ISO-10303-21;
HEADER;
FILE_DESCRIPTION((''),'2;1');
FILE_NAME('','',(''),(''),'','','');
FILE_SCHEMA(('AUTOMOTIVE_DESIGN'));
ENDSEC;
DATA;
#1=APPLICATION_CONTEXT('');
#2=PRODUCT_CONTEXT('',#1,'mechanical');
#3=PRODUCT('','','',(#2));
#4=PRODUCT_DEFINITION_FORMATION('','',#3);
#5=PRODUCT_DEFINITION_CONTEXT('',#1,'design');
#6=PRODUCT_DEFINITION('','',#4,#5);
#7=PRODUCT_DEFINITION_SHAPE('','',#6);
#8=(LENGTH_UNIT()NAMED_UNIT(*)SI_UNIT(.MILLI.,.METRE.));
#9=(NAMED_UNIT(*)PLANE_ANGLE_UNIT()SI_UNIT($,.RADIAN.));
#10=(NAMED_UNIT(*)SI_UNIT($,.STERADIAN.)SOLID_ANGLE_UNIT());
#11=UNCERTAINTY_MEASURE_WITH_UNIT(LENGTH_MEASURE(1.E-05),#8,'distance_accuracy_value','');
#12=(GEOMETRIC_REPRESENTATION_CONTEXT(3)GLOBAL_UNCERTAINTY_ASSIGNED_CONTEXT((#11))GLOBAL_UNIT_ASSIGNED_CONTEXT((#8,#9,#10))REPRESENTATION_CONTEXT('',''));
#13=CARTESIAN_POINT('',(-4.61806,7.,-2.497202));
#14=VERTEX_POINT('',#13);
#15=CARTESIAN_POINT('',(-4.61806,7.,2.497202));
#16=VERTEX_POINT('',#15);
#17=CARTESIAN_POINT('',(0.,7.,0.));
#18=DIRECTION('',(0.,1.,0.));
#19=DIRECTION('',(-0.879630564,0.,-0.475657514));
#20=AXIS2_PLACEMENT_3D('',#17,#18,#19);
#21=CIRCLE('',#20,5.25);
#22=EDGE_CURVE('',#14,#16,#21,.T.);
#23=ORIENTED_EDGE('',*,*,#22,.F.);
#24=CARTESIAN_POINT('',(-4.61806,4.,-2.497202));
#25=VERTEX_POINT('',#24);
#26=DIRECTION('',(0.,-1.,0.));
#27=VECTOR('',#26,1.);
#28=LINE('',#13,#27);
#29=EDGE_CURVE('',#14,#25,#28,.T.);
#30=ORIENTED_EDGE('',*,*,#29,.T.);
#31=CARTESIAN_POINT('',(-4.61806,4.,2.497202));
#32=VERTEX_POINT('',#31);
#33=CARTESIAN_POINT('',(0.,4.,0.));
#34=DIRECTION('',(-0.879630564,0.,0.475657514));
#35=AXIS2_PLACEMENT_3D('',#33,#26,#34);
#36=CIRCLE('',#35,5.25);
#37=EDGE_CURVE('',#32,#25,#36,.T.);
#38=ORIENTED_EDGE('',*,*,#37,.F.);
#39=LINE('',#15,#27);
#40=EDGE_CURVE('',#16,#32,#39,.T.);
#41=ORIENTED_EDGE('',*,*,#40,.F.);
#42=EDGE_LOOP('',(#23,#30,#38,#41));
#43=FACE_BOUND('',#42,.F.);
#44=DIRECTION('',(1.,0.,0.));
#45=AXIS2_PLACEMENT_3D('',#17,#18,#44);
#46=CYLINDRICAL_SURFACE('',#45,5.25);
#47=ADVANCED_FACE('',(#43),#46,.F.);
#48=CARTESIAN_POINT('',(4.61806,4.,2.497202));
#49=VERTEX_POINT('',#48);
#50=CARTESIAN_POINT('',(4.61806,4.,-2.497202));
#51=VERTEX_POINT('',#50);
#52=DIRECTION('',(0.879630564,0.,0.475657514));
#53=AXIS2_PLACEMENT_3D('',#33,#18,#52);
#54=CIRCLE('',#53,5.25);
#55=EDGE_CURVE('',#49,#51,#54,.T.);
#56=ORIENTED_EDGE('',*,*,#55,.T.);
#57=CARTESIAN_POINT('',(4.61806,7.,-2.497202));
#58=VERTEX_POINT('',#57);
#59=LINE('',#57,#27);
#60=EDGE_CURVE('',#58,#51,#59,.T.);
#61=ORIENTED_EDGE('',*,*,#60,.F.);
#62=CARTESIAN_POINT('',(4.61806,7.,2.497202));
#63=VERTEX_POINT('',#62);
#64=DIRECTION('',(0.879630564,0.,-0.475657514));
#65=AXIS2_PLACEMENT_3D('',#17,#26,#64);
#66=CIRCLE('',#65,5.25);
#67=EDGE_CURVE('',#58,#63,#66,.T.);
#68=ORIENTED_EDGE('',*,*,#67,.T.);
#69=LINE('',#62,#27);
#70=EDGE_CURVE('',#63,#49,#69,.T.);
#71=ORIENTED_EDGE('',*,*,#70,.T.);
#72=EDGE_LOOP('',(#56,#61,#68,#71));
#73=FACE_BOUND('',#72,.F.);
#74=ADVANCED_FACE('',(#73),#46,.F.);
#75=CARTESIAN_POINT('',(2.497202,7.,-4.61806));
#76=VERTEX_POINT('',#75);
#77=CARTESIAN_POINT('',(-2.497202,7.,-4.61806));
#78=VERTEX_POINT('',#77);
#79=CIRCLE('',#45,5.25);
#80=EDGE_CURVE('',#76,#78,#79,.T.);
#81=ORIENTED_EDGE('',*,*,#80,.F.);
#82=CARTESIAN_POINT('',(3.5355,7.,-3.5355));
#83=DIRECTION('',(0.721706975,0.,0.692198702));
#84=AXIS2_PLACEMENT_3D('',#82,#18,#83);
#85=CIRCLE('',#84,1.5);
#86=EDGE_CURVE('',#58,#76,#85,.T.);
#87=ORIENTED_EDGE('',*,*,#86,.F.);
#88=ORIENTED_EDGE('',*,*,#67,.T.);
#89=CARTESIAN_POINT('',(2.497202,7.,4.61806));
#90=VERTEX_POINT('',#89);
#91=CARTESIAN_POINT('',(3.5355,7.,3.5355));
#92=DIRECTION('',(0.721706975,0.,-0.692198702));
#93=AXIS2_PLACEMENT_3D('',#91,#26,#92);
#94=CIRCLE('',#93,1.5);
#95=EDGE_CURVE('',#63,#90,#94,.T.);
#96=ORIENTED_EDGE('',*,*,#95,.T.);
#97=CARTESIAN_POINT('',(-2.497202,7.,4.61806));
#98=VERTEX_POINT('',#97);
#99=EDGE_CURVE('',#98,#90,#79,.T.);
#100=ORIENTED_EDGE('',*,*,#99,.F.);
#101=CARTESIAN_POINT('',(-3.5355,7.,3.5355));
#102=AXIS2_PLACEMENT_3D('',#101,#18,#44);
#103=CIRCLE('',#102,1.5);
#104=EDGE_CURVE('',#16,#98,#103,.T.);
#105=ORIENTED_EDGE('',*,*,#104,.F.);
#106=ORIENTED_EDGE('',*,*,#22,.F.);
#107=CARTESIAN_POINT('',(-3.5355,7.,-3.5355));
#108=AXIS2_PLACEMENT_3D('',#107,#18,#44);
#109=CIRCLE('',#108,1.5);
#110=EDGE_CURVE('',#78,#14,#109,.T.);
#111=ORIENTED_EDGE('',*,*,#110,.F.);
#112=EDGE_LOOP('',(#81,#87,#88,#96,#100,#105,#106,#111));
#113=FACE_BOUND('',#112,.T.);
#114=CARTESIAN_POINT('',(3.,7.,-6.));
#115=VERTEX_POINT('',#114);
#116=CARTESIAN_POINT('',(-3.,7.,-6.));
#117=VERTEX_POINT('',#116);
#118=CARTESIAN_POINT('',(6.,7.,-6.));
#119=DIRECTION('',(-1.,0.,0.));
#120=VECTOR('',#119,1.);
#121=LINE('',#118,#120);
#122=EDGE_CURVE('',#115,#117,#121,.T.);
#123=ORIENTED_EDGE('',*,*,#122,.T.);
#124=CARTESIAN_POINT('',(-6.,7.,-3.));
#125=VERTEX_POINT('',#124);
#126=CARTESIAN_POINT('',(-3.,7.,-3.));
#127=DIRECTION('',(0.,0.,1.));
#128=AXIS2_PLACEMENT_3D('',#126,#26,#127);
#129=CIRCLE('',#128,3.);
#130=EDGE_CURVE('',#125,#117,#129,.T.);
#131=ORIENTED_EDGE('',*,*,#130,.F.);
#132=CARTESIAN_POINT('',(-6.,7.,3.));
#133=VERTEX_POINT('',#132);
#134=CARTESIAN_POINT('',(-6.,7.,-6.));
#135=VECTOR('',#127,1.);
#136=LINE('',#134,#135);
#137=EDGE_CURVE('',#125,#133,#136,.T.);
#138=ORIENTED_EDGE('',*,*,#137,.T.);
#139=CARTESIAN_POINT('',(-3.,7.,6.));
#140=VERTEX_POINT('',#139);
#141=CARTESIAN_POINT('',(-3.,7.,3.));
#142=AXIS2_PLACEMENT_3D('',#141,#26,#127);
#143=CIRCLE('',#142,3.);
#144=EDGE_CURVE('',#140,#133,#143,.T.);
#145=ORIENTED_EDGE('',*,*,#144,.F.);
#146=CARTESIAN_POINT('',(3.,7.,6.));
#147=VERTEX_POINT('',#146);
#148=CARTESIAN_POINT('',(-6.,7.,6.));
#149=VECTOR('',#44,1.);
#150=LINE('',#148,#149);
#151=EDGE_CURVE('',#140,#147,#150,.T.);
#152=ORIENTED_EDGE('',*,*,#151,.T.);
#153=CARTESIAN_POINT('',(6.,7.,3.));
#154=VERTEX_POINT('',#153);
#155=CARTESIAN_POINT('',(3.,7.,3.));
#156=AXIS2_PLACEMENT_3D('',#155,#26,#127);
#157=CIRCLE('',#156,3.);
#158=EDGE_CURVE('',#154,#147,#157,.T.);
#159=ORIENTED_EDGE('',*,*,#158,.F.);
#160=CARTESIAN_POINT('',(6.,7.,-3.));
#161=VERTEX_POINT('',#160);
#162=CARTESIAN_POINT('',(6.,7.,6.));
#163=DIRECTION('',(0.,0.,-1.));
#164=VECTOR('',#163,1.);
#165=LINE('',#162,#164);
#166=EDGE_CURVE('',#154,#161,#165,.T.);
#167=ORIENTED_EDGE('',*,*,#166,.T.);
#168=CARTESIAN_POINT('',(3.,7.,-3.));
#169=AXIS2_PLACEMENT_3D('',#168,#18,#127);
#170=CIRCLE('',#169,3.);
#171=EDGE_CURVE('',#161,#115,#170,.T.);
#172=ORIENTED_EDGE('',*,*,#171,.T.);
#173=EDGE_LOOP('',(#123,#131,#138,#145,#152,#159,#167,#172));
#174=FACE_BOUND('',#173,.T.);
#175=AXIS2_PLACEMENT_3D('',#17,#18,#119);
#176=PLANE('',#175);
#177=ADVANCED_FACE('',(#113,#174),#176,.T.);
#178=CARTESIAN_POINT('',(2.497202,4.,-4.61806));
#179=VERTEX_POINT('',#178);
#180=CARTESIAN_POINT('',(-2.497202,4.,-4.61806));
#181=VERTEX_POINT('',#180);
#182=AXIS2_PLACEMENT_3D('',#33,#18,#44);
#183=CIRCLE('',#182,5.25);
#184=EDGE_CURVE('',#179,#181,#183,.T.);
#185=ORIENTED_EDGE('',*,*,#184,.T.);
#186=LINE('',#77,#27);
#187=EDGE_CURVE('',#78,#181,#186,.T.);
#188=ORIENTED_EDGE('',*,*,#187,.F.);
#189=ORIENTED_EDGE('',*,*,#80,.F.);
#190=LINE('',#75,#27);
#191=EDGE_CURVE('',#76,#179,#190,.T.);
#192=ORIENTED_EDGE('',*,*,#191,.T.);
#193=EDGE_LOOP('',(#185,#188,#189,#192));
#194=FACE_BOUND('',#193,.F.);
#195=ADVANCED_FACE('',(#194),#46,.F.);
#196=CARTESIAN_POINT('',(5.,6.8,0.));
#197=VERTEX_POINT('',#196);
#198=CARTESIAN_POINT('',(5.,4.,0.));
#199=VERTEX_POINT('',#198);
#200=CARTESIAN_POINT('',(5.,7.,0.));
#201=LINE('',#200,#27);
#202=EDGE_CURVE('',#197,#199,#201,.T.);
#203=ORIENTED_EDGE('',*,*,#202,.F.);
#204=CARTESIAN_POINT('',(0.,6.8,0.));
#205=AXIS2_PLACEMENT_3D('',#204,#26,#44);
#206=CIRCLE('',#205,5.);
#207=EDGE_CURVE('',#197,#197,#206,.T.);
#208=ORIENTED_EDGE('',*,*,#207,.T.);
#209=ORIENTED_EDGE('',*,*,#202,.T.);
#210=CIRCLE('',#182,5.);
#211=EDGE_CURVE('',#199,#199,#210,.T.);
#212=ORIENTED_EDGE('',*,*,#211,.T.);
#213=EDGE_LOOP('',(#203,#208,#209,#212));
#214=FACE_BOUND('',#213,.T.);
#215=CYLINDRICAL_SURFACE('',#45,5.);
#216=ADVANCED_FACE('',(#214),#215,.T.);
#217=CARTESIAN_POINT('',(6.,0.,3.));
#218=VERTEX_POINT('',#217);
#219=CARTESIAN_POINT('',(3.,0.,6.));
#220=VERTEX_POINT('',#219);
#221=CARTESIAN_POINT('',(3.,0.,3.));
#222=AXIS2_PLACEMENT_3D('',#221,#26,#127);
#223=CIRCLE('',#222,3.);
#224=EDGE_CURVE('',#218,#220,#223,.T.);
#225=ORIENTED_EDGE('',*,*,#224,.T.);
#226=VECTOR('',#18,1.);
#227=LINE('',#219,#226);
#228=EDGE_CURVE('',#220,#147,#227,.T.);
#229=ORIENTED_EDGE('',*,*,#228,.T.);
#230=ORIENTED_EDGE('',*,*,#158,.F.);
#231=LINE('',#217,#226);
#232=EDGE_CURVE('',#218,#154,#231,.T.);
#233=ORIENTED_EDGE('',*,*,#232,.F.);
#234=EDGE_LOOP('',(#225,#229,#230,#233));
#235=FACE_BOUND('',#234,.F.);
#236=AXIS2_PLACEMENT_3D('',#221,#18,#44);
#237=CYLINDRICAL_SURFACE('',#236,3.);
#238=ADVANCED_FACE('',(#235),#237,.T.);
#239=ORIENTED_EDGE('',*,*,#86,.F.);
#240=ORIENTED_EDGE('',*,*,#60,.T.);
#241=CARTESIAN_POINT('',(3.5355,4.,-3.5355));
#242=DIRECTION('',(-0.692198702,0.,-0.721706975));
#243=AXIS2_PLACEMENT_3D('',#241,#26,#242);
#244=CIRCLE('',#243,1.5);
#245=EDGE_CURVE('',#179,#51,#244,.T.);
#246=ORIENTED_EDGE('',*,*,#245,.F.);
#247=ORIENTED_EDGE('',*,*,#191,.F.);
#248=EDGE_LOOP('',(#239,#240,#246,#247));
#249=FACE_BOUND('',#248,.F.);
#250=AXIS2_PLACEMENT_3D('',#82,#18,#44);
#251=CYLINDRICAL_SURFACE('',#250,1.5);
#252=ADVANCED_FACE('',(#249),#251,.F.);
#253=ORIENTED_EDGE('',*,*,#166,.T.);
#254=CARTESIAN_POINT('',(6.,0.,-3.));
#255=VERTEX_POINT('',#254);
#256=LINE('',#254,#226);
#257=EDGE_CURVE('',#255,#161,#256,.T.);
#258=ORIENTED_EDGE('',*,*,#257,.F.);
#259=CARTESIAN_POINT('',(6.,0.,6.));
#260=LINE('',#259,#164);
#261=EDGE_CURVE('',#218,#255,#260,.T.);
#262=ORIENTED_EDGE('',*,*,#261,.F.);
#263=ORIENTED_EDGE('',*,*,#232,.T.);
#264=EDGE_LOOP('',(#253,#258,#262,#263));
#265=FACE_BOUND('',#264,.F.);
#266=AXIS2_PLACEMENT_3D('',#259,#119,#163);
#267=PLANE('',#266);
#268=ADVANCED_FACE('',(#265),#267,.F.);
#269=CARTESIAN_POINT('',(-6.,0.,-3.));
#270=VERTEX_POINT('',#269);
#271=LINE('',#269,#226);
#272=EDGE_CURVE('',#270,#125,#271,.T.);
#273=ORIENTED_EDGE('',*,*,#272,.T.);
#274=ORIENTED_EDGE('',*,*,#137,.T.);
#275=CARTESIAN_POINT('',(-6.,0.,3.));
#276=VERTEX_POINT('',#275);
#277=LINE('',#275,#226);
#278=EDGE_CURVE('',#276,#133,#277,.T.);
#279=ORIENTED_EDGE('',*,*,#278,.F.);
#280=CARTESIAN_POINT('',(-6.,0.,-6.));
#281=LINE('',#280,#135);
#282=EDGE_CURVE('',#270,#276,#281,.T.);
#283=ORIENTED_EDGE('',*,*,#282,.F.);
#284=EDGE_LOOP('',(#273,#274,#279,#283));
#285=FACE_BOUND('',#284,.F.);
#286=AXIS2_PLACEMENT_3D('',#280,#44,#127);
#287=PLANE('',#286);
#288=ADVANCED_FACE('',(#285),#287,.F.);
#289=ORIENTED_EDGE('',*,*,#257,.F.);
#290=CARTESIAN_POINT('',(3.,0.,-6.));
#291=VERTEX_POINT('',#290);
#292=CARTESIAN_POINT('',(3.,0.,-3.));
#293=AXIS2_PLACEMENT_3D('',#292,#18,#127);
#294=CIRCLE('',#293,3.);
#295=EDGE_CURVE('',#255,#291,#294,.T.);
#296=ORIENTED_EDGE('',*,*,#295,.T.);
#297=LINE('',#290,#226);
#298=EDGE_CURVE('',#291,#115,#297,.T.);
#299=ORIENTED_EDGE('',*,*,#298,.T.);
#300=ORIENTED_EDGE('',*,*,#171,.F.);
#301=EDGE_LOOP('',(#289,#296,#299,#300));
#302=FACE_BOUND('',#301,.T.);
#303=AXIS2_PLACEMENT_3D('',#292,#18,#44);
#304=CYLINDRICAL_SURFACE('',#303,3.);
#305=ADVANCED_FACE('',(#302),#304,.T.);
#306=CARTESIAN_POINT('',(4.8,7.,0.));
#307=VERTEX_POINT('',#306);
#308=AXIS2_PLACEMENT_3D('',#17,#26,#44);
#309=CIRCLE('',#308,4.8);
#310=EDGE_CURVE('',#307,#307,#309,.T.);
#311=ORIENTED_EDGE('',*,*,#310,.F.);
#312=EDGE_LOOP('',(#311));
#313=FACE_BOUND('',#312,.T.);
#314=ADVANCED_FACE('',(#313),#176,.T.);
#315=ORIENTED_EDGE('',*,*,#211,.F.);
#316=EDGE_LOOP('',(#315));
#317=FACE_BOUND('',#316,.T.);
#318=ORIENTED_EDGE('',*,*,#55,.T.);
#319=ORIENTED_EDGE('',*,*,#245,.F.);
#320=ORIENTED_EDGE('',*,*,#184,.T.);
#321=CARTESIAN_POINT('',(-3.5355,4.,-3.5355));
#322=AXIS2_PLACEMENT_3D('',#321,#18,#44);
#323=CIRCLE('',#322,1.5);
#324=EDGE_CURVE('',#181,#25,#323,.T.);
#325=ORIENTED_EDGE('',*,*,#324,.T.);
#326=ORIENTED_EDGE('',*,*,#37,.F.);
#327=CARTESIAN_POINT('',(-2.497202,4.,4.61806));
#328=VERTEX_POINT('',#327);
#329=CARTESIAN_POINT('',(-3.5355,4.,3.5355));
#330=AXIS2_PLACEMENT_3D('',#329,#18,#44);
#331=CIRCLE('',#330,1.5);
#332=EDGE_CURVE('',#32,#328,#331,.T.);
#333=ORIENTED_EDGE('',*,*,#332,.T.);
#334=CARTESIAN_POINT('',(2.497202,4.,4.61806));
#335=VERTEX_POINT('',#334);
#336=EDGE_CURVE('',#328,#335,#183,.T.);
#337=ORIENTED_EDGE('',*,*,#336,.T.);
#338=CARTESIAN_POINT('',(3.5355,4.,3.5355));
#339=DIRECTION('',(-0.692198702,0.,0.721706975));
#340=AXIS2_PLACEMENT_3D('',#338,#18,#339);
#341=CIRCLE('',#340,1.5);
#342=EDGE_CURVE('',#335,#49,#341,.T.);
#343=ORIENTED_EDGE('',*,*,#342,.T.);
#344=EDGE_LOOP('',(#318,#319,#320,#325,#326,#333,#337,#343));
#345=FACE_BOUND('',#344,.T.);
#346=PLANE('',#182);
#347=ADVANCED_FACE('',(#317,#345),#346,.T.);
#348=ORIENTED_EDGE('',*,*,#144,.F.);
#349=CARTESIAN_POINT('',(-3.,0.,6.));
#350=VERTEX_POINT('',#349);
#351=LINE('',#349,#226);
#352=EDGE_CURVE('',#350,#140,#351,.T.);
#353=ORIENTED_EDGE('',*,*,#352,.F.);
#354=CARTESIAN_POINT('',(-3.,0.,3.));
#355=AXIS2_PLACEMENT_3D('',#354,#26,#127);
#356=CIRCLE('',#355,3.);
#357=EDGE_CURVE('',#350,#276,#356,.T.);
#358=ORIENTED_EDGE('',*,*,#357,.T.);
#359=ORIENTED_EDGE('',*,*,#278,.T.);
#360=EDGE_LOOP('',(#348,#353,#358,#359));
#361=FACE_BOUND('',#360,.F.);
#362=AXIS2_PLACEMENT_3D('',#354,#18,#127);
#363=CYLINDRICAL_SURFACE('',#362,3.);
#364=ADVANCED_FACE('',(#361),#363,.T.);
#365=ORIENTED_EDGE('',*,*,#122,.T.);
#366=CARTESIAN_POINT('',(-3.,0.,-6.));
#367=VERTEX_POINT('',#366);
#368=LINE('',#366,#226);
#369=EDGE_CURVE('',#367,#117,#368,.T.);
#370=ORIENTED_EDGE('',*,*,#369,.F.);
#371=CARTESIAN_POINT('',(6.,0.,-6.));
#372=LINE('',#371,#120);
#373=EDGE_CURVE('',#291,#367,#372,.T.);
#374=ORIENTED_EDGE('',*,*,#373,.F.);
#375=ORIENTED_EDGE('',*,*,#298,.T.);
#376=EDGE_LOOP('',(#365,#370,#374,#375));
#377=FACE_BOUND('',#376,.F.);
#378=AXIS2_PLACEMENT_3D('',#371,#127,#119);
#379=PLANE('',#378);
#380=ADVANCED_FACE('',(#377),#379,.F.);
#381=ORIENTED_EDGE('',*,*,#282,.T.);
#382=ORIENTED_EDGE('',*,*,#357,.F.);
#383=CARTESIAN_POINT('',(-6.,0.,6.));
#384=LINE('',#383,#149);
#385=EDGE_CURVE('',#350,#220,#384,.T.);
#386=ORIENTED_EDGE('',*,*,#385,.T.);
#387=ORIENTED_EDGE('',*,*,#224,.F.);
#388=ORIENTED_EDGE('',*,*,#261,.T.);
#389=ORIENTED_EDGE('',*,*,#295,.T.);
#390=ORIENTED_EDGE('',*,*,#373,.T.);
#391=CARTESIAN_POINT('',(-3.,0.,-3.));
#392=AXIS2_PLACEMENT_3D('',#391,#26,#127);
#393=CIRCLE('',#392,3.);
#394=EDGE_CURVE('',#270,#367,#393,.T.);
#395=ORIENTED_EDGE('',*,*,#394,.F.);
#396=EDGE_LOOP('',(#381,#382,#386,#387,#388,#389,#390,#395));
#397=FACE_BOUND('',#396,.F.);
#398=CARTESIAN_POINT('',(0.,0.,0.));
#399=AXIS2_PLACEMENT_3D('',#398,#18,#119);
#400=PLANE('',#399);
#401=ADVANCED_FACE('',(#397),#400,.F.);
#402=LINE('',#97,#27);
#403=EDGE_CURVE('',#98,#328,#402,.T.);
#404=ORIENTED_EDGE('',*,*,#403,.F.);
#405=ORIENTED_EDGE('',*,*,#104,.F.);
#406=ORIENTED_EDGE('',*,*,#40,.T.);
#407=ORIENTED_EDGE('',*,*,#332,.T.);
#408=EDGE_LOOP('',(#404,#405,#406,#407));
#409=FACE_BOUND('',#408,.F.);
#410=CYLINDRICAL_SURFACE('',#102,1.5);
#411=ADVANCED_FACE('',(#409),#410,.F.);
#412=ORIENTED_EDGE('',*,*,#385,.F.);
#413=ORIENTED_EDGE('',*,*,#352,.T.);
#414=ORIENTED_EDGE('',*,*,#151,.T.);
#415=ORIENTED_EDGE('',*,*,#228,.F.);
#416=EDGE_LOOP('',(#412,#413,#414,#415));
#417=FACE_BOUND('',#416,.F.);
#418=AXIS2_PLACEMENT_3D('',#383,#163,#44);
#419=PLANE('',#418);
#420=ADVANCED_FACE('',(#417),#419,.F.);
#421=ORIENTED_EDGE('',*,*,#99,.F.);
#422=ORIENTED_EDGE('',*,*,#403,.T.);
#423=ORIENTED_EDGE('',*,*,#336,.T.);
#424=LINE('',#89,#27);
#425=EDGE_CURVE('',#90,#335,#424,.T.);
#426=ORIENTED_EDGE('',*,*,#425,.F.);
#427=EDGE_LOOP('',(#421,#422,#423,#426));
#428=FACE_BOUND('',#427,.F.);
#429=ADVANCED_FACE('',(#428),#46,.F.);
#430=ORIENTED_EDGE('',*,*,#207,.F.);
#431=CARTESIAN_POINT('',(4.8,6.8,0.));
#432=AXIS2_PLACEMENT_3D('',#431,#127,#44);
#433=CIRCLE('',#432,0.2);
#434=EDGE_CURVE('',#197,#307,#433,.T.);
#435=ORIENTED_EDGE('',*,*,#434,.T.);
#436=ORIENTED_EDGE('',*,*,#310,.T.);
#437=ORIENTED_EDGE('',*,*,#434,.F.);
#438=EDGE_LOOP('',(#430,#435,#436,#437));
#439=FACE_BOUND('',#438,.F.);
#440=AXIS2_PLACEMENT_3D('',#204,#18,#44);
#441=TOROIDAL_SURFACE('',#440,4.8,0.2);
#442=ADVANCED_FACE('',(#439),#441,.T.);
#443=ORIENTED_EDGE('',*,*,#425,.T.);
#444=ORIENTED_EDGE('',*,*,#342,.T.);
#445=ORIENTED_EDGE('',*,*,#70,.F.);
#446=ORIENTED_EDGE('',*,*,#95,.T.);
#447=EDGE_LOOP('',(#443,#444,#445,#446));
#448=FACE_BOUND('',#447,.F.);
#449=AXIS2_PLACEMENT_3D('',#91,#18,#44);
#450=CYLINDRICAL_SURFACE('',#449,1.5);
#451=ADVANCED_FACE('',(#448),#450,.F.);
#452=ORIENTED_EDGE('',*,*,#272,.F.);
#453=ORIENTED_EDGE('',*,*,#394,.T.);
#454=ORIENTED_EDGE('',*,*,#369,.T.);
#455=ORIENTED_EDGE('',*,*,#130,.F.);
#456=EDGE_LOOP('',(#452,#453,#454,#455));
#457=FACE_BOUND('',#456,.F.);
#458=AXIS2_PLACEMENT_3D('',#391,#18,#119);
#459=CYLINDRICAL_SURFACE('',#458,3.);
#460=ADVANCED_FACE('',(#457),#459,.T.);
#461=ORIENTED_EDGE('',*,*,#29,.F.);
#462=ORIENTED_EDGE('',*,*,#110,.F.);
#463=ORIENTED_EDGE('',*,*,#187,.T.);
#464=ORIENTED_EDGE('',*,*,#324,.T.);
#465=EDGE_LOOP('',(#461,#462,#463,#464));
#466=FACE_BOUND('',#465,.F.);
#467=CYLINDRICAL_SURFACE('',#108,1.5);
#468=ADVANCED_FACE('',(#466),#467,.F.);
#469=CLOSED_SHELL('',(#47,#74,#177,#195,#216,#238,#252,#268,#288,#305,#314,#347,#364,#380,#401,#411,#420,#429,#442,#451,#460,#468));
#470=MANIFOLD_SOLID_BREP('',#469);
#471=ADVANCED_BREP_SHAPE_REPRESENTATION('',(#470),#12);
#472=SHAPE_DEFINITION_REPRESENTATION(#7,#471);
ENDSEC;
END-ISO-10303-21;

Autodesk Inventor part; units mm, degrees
ref_plane "YZ Plane" through (0, 0, 0) normal (1, 0, 0) x (0, 1, 0)
ref_plane "XZ Plane" through (0, 0, 0) normal (0, 1, 0) x (-1, 0, 0)
ref_plane "XY Plane" through (0, 0, 0) normal (0, 0, 1) x (1, 0, 0)
sketch "スケッチ1" plane through (0, 0, 0) normal (0, 1, 0) x (-1, 0, 0)
  line L0 (-6, -6) -> (6, -6)
  line L1 (6, -6) -> (6, 6)
  line L2 (6, 6) -> (-6, 6)
  line L3 (-6, 6) -> (-6, -6)
  line L4 (-6, -6) -> (6, 6) construction
  line L5 (6, -6) -> (-6, 6) construction
  point P0 (0, 0)
  dimension "d0" = 12
extrude "押し出し1" add sketch "スケッチ1" along normal blind 7
fillet "フィレット1" radius 3 4 edges at (6, 3.5, 6) (6, 3.5, -6) (-6, 3.5, 6) (-6, 3.5, -6)
sketch "スケッチ2" plane through (0, 7, 0) normal (0, 1, 0) x (1, 0, 0)
  circle A0 centre (0, 0) radius 5
  circle A1 centre (-3.5355, 3.5355) radius 1.5
  circle A2 centre (3.5355, 3.5355) radius 1.5
  circle A3 centre (3.5355, -3.5355) radius 1.5
  circle A4 centre (-3.5355, -3.5355) radius 1.5
  line L0 (-3.5355, -3.5355) -> (3.5355, 3.5355) construction
  line L1 (-3.5355, 3.5355) -> (3.5355, -3.5355) construction
  line L2 (-8.4, 0) -> (8.4, 0) projected
  circle A5 centre (0, 0) radius 5.25
  point P0 (0, 0)
  point P1 (4.6181, -2.4972)
  point P2 (4.6181, 2.4972)
  point P3 (2.4972, 4.6181)
  point P4 (-2.4972, 4.6181)
  point P5 (-4.6181, 2.4972)
  point P6 (-4.6181, -2.4972)
  point P7 (-2.4972, -4.6181)
  point P8 (2.4972, -4.6181)
  dimension "d4" = 10
  dimension "d5" = 3
  dimension "d6" = 3
  dimension "d7" = 3
  dimension "d8" = 3
  dimension "d9" = 45
  dimension "d10" = 10.5
extrude "押し出し2" cut sketch "スケッチ2" against normal blind 3 contours L2 A5 A3 A0 | A0 A2 A5 L2 | A0 A2 A5 | A3 A5 A0 | L2 A5 A1 A0 | A0 A4 A5 L2 | A0 A1 A5 A2 | A5 A2 | A3 A5 A4 A0 | A3 A5 | A1 A5 A0 | A0 A4 A5 | A1 A5 | A5 A4
fillet "フィレット2" radius 0.2 1 edges at (-5, 7, 0)
properties part number "smd_power_inductor" material "アルミニウム 6061"
